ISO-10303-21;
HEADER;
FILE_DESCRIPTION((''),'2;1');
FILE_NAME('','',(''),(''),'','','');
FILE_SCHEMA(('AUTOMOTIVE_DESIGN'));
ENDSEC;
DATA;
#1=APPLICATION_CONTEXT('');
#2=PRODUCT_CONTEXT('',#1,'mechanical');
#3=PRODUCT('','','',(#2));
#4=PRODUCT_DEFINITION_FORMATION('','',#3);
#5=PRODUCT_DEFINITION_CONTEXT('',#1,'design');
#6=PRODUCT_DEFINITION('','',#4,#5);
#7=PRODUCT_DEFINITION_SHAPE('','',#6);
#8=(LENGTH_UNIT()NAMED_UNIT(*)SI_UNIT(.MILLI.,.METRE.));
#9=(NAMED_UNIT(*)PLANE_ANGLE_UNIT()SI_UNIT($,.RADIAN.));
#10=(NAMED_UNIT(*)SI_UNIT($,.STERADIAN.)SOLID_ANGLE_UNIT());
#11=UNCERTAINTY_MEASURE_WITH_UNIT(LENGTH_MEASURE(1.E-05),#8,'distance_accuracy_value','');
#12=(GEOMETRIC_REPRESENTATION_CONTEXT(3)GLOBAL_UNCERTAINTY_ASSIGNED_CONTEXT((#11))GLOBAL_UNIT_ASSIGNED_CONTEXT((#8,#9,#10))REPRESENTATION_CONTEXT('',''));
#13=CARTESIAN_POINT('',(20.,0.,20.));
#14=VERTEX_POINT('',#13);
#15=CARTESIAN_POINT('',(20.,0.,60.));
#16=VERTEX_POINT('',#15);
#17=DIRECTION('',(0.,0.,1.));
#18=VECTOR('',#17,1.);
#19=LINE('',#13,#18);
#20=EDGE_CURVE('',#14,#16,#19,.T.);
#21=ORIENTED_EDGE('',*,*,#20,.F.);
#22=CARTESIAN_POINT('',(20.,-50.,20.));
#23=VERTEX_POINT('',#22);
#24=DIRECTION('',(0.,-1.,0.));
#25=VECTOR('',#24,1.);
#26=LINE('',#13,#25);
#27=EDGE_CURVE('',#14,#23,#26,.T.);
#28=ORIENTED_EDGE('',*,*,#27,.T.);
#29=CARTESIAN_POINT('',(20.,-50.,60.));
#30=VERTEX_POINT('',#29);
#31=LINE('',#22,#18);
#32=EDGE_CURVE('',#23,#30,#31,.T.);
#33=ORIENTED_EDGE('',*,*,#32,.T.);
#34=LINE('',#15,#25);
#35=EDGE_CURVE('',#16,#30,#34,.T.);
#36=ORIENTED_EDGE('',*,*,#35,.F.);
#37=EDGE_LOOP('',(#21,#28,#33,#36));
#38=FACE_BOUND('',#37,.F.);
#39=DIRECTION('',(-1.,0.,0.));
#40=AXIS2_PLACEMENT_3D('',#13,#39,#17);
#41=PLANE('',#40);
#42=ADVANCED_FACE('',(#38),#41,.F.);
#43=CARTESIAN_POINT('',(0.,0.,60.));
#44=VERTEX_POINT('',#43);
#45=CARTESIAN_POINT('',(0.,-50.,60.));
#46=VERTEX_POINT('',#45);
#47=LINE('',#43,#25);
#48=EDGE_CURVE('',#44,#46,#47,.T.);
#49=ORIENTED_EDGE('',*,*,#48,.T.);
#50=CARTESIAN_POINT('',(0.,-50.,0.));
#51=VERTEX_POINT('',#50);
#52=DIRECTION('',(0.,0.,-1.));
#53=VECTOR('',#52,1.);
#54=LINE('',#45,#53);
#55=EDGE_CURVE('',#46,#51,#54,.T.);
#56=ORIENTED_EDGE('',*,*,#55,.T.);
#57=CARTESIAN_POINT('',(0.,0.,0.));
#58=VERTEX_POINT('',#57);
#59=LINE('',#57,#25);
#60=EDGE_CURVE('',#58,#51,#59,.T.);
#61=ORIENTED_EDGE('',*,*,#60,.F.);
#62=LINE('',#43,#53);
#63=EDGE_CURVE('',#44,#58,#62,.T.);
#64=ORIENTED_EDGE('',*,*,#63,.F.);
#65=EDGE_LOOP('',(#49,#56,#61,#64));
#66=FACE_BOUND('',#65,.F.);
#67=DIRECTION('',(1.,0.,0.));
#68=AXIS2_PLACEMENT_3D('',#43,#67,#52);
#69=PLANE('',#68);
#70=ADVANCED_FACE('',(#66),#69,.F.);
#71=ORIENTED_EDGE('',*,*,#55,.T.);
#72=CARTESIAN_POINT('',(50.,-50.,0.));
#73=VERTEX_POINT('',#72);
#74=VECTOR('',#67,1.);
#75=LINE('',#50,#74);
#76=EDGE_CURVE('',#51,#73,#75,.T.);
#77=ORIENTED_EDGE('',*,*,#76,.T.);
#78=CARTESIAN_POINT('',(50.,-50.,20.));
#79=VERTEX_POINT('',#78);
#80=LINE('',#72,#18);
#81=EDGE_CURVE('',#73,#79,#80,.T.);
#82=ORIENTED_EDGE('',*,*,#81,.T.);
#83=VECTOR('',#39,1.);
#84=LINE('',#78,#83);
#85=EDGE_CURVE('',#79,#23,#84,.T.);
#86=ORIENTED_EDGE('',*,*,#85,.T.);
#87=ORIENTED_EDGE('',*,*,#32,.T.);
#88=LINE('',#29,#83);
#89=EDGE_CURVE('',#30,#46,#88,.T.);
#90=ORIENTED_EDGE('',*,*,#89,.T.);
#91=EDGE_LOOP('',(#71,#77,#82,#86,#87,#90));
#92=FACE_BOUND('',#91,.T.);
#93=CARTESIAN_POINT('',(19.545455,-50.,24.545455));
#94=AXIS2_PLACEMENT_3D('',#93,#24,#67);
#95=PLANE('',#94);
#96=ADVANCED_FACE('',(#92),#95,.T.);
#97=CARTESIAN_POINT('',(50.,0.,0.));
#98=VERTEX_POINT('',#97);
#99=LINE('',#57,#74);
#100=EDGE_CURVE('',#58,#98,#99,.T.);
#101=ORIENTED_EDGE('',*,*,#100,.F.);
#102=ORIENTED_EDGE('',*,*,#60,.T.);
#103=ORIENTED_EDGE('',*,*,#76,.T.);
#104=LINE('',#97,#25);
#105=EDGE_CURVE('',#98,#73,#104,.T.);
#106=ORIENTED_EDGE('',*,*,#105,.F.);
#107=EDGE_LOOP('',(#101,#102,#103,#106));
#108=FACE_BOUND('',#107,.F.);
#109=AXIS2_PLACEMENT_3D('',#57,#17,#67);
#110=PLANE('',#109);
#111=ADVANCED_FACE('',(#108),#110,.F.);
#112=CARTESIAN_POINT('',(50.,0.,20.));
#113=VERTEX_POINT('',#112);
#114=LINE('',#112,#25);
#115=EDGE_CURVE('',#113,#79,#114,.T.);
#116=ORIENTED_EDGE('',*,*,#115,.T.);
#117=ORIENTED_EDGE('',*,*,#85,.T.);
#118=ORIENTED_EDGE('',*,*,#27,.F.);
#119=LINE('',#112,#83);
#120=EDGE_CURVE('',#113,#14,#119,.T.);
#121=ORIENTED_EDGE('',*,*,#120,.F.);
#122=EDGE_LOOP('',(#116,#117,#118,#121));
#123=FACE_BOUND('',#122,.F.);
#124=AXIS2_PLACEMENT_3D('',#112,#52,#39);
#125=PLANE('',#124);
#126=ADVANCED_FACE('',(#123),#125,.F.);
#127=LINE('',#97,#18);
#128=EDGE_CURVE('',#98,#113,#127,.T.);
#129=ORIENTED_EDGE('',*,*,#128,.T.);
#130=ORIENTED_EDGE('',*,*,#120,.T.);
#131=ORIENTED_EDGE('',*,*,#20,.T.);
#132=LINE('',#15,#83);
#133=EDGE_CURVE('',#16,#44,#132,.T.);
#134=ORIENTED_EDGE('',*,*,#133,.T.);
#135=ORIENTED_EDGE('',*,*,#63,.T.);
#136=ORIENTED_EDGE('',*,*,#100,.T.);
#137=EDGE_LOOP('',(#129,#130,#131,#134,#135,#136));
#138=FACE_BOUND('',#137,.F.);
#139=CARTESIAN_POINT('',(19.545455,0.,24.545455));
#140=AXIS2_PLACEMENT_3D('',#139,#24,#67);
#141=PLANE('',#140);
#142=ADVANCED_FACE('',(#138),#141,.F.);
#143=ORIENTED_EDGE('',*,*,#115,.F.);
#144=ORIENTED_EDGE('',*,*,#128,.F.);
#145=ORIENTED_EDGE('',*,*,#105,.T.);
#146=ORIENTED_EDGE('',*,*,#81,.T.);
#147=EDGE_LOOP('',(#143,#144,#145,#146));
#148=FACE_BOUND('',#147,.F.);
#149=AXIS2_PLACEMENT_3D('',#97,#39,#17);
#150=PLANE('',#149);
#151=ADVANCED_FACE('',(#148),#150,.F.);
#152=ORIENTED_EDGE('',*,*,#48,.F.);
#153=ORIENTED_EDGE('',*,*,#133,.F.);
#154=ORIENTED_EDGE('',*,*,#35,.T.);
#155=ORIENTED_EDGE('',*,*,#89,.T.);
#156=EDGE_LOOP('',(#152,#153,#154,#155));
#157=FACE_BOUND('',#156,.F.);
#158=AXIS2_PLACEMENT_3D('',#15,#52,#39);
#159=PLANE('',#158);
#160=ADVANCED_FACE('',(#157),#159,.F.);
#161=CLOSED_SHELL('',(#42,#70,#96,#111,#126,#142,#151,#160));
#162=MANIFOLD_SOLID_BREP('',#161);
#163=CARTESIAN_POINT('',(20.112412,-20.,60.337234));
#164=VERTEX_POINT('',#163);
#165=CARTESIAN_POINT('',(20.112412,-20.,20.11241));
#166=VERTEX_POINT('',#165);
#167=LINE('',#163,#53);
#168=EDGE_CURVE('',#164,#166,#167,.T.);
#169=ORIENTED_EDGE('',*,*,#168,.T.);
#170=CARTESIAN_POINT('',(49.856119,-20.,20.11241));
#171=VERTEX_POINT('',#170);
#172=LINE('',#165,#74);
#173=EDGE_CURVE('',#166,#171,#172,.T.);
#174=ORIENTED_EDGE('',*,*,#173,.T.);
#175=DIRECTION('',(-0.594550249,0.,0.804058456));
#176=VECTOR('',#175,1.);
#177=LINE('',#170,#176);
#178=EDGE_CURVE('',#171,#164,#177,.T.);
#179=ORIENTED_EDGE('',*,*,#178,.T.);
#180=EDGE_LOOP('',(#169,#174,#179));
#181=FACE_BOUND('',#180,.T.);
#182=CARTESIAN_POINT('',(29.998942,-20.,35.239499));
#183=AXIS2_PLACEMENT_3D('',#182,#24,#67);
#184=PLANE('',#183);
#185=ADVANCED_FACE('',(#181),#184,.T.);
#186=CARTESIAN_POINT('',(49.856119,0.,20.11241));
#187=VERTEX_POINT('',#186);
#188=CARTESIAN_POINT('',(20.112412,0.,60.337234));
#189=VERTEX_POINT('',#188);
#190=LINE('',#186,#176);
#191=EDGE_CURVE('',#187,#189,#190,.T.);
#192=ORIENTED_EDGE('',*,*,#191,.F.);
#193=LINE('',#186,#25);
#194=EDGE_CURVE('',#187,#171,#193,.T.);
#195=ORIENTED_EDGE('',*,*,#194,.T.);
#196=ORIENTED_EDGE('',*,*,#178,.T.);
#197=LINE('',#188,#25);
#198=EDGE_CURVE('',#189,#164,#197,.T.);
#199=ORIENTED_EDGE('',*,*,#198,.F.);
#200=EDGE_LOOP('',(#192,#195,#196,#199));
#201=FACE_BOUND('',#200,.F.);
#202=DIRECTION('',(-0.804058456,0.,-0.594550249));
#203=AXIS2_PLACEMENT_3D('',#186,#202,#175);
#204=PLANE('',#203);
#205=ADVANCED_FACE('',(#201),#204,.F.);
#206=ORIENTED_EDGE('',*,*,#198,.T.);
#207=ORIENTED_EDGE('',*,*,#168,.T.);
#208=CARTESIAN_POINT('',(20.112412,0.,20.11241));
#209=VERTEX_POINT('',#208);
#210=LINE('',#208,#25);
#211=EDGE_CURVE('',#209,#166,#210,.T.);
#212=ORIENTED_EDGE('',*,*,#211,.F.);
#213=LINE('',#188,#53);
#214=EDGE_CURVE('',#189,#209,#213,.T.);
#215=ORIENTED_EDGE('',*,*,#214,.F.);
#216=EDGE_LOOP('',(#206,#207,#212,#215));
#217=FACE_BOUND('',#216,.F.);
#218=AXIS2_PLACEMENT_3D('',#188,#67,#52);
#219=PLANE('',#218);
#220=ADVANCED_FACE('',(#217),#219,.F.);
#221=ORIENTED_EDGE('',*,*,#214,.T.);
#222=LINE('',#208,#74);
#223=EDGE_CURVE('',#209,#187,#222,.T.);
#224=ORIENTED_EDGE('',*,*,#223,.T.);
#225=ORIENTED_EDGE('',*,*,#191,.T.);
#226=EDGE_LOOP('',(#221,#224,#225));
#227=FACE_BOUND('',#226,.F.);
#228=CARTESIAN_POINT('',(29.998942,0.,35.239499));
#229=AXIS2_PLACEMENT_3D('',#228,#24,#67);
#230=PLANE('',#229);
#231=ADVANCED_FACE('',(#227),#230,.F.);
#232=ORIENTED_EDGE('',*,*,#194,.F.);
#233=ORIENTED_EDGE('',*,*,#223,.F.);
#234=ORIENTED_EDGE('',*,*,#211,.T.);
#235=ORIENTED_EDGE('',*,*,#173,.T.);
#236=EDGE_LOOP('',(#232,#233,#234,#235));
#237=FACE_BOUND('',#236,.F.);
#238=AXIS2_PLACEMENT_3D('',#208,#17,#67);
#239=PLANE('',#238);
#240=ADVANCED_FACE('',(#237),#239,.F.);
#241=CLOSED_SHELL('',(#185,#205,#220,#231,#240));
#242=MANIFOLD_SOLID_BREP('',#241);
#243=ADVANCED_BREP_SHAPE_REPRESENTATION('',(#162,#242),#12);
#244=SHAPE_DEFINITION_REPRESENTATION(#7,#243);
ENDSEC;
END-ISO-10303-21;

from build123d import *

# Parameters (mm, degrees)
F1_DEPTH = 50
F3_DEPTH = 20


with BuildPart() as f1:
    # F0 (on Front) → F1 (new body)
    with BuildSketch(Plane.XZ):
        Polygon((0, 60), (0, 0), (50, 0), (50, 20), (20, 20), (20, 60), align=None)
    extrude(amount=F1_DEPTH)


with BuildPart() as f3:
    # F2 (on Front) → F3 (new body)
    with BuildSketch(Plane.XZ):
        Polygon((49.856119, 20.11241), (20.112412, 60.337234), (20.112412, 20.11241), align=None)
    extrude(amount=F3_DEPTH)


solid = Compound([f1.part, f3.part])
